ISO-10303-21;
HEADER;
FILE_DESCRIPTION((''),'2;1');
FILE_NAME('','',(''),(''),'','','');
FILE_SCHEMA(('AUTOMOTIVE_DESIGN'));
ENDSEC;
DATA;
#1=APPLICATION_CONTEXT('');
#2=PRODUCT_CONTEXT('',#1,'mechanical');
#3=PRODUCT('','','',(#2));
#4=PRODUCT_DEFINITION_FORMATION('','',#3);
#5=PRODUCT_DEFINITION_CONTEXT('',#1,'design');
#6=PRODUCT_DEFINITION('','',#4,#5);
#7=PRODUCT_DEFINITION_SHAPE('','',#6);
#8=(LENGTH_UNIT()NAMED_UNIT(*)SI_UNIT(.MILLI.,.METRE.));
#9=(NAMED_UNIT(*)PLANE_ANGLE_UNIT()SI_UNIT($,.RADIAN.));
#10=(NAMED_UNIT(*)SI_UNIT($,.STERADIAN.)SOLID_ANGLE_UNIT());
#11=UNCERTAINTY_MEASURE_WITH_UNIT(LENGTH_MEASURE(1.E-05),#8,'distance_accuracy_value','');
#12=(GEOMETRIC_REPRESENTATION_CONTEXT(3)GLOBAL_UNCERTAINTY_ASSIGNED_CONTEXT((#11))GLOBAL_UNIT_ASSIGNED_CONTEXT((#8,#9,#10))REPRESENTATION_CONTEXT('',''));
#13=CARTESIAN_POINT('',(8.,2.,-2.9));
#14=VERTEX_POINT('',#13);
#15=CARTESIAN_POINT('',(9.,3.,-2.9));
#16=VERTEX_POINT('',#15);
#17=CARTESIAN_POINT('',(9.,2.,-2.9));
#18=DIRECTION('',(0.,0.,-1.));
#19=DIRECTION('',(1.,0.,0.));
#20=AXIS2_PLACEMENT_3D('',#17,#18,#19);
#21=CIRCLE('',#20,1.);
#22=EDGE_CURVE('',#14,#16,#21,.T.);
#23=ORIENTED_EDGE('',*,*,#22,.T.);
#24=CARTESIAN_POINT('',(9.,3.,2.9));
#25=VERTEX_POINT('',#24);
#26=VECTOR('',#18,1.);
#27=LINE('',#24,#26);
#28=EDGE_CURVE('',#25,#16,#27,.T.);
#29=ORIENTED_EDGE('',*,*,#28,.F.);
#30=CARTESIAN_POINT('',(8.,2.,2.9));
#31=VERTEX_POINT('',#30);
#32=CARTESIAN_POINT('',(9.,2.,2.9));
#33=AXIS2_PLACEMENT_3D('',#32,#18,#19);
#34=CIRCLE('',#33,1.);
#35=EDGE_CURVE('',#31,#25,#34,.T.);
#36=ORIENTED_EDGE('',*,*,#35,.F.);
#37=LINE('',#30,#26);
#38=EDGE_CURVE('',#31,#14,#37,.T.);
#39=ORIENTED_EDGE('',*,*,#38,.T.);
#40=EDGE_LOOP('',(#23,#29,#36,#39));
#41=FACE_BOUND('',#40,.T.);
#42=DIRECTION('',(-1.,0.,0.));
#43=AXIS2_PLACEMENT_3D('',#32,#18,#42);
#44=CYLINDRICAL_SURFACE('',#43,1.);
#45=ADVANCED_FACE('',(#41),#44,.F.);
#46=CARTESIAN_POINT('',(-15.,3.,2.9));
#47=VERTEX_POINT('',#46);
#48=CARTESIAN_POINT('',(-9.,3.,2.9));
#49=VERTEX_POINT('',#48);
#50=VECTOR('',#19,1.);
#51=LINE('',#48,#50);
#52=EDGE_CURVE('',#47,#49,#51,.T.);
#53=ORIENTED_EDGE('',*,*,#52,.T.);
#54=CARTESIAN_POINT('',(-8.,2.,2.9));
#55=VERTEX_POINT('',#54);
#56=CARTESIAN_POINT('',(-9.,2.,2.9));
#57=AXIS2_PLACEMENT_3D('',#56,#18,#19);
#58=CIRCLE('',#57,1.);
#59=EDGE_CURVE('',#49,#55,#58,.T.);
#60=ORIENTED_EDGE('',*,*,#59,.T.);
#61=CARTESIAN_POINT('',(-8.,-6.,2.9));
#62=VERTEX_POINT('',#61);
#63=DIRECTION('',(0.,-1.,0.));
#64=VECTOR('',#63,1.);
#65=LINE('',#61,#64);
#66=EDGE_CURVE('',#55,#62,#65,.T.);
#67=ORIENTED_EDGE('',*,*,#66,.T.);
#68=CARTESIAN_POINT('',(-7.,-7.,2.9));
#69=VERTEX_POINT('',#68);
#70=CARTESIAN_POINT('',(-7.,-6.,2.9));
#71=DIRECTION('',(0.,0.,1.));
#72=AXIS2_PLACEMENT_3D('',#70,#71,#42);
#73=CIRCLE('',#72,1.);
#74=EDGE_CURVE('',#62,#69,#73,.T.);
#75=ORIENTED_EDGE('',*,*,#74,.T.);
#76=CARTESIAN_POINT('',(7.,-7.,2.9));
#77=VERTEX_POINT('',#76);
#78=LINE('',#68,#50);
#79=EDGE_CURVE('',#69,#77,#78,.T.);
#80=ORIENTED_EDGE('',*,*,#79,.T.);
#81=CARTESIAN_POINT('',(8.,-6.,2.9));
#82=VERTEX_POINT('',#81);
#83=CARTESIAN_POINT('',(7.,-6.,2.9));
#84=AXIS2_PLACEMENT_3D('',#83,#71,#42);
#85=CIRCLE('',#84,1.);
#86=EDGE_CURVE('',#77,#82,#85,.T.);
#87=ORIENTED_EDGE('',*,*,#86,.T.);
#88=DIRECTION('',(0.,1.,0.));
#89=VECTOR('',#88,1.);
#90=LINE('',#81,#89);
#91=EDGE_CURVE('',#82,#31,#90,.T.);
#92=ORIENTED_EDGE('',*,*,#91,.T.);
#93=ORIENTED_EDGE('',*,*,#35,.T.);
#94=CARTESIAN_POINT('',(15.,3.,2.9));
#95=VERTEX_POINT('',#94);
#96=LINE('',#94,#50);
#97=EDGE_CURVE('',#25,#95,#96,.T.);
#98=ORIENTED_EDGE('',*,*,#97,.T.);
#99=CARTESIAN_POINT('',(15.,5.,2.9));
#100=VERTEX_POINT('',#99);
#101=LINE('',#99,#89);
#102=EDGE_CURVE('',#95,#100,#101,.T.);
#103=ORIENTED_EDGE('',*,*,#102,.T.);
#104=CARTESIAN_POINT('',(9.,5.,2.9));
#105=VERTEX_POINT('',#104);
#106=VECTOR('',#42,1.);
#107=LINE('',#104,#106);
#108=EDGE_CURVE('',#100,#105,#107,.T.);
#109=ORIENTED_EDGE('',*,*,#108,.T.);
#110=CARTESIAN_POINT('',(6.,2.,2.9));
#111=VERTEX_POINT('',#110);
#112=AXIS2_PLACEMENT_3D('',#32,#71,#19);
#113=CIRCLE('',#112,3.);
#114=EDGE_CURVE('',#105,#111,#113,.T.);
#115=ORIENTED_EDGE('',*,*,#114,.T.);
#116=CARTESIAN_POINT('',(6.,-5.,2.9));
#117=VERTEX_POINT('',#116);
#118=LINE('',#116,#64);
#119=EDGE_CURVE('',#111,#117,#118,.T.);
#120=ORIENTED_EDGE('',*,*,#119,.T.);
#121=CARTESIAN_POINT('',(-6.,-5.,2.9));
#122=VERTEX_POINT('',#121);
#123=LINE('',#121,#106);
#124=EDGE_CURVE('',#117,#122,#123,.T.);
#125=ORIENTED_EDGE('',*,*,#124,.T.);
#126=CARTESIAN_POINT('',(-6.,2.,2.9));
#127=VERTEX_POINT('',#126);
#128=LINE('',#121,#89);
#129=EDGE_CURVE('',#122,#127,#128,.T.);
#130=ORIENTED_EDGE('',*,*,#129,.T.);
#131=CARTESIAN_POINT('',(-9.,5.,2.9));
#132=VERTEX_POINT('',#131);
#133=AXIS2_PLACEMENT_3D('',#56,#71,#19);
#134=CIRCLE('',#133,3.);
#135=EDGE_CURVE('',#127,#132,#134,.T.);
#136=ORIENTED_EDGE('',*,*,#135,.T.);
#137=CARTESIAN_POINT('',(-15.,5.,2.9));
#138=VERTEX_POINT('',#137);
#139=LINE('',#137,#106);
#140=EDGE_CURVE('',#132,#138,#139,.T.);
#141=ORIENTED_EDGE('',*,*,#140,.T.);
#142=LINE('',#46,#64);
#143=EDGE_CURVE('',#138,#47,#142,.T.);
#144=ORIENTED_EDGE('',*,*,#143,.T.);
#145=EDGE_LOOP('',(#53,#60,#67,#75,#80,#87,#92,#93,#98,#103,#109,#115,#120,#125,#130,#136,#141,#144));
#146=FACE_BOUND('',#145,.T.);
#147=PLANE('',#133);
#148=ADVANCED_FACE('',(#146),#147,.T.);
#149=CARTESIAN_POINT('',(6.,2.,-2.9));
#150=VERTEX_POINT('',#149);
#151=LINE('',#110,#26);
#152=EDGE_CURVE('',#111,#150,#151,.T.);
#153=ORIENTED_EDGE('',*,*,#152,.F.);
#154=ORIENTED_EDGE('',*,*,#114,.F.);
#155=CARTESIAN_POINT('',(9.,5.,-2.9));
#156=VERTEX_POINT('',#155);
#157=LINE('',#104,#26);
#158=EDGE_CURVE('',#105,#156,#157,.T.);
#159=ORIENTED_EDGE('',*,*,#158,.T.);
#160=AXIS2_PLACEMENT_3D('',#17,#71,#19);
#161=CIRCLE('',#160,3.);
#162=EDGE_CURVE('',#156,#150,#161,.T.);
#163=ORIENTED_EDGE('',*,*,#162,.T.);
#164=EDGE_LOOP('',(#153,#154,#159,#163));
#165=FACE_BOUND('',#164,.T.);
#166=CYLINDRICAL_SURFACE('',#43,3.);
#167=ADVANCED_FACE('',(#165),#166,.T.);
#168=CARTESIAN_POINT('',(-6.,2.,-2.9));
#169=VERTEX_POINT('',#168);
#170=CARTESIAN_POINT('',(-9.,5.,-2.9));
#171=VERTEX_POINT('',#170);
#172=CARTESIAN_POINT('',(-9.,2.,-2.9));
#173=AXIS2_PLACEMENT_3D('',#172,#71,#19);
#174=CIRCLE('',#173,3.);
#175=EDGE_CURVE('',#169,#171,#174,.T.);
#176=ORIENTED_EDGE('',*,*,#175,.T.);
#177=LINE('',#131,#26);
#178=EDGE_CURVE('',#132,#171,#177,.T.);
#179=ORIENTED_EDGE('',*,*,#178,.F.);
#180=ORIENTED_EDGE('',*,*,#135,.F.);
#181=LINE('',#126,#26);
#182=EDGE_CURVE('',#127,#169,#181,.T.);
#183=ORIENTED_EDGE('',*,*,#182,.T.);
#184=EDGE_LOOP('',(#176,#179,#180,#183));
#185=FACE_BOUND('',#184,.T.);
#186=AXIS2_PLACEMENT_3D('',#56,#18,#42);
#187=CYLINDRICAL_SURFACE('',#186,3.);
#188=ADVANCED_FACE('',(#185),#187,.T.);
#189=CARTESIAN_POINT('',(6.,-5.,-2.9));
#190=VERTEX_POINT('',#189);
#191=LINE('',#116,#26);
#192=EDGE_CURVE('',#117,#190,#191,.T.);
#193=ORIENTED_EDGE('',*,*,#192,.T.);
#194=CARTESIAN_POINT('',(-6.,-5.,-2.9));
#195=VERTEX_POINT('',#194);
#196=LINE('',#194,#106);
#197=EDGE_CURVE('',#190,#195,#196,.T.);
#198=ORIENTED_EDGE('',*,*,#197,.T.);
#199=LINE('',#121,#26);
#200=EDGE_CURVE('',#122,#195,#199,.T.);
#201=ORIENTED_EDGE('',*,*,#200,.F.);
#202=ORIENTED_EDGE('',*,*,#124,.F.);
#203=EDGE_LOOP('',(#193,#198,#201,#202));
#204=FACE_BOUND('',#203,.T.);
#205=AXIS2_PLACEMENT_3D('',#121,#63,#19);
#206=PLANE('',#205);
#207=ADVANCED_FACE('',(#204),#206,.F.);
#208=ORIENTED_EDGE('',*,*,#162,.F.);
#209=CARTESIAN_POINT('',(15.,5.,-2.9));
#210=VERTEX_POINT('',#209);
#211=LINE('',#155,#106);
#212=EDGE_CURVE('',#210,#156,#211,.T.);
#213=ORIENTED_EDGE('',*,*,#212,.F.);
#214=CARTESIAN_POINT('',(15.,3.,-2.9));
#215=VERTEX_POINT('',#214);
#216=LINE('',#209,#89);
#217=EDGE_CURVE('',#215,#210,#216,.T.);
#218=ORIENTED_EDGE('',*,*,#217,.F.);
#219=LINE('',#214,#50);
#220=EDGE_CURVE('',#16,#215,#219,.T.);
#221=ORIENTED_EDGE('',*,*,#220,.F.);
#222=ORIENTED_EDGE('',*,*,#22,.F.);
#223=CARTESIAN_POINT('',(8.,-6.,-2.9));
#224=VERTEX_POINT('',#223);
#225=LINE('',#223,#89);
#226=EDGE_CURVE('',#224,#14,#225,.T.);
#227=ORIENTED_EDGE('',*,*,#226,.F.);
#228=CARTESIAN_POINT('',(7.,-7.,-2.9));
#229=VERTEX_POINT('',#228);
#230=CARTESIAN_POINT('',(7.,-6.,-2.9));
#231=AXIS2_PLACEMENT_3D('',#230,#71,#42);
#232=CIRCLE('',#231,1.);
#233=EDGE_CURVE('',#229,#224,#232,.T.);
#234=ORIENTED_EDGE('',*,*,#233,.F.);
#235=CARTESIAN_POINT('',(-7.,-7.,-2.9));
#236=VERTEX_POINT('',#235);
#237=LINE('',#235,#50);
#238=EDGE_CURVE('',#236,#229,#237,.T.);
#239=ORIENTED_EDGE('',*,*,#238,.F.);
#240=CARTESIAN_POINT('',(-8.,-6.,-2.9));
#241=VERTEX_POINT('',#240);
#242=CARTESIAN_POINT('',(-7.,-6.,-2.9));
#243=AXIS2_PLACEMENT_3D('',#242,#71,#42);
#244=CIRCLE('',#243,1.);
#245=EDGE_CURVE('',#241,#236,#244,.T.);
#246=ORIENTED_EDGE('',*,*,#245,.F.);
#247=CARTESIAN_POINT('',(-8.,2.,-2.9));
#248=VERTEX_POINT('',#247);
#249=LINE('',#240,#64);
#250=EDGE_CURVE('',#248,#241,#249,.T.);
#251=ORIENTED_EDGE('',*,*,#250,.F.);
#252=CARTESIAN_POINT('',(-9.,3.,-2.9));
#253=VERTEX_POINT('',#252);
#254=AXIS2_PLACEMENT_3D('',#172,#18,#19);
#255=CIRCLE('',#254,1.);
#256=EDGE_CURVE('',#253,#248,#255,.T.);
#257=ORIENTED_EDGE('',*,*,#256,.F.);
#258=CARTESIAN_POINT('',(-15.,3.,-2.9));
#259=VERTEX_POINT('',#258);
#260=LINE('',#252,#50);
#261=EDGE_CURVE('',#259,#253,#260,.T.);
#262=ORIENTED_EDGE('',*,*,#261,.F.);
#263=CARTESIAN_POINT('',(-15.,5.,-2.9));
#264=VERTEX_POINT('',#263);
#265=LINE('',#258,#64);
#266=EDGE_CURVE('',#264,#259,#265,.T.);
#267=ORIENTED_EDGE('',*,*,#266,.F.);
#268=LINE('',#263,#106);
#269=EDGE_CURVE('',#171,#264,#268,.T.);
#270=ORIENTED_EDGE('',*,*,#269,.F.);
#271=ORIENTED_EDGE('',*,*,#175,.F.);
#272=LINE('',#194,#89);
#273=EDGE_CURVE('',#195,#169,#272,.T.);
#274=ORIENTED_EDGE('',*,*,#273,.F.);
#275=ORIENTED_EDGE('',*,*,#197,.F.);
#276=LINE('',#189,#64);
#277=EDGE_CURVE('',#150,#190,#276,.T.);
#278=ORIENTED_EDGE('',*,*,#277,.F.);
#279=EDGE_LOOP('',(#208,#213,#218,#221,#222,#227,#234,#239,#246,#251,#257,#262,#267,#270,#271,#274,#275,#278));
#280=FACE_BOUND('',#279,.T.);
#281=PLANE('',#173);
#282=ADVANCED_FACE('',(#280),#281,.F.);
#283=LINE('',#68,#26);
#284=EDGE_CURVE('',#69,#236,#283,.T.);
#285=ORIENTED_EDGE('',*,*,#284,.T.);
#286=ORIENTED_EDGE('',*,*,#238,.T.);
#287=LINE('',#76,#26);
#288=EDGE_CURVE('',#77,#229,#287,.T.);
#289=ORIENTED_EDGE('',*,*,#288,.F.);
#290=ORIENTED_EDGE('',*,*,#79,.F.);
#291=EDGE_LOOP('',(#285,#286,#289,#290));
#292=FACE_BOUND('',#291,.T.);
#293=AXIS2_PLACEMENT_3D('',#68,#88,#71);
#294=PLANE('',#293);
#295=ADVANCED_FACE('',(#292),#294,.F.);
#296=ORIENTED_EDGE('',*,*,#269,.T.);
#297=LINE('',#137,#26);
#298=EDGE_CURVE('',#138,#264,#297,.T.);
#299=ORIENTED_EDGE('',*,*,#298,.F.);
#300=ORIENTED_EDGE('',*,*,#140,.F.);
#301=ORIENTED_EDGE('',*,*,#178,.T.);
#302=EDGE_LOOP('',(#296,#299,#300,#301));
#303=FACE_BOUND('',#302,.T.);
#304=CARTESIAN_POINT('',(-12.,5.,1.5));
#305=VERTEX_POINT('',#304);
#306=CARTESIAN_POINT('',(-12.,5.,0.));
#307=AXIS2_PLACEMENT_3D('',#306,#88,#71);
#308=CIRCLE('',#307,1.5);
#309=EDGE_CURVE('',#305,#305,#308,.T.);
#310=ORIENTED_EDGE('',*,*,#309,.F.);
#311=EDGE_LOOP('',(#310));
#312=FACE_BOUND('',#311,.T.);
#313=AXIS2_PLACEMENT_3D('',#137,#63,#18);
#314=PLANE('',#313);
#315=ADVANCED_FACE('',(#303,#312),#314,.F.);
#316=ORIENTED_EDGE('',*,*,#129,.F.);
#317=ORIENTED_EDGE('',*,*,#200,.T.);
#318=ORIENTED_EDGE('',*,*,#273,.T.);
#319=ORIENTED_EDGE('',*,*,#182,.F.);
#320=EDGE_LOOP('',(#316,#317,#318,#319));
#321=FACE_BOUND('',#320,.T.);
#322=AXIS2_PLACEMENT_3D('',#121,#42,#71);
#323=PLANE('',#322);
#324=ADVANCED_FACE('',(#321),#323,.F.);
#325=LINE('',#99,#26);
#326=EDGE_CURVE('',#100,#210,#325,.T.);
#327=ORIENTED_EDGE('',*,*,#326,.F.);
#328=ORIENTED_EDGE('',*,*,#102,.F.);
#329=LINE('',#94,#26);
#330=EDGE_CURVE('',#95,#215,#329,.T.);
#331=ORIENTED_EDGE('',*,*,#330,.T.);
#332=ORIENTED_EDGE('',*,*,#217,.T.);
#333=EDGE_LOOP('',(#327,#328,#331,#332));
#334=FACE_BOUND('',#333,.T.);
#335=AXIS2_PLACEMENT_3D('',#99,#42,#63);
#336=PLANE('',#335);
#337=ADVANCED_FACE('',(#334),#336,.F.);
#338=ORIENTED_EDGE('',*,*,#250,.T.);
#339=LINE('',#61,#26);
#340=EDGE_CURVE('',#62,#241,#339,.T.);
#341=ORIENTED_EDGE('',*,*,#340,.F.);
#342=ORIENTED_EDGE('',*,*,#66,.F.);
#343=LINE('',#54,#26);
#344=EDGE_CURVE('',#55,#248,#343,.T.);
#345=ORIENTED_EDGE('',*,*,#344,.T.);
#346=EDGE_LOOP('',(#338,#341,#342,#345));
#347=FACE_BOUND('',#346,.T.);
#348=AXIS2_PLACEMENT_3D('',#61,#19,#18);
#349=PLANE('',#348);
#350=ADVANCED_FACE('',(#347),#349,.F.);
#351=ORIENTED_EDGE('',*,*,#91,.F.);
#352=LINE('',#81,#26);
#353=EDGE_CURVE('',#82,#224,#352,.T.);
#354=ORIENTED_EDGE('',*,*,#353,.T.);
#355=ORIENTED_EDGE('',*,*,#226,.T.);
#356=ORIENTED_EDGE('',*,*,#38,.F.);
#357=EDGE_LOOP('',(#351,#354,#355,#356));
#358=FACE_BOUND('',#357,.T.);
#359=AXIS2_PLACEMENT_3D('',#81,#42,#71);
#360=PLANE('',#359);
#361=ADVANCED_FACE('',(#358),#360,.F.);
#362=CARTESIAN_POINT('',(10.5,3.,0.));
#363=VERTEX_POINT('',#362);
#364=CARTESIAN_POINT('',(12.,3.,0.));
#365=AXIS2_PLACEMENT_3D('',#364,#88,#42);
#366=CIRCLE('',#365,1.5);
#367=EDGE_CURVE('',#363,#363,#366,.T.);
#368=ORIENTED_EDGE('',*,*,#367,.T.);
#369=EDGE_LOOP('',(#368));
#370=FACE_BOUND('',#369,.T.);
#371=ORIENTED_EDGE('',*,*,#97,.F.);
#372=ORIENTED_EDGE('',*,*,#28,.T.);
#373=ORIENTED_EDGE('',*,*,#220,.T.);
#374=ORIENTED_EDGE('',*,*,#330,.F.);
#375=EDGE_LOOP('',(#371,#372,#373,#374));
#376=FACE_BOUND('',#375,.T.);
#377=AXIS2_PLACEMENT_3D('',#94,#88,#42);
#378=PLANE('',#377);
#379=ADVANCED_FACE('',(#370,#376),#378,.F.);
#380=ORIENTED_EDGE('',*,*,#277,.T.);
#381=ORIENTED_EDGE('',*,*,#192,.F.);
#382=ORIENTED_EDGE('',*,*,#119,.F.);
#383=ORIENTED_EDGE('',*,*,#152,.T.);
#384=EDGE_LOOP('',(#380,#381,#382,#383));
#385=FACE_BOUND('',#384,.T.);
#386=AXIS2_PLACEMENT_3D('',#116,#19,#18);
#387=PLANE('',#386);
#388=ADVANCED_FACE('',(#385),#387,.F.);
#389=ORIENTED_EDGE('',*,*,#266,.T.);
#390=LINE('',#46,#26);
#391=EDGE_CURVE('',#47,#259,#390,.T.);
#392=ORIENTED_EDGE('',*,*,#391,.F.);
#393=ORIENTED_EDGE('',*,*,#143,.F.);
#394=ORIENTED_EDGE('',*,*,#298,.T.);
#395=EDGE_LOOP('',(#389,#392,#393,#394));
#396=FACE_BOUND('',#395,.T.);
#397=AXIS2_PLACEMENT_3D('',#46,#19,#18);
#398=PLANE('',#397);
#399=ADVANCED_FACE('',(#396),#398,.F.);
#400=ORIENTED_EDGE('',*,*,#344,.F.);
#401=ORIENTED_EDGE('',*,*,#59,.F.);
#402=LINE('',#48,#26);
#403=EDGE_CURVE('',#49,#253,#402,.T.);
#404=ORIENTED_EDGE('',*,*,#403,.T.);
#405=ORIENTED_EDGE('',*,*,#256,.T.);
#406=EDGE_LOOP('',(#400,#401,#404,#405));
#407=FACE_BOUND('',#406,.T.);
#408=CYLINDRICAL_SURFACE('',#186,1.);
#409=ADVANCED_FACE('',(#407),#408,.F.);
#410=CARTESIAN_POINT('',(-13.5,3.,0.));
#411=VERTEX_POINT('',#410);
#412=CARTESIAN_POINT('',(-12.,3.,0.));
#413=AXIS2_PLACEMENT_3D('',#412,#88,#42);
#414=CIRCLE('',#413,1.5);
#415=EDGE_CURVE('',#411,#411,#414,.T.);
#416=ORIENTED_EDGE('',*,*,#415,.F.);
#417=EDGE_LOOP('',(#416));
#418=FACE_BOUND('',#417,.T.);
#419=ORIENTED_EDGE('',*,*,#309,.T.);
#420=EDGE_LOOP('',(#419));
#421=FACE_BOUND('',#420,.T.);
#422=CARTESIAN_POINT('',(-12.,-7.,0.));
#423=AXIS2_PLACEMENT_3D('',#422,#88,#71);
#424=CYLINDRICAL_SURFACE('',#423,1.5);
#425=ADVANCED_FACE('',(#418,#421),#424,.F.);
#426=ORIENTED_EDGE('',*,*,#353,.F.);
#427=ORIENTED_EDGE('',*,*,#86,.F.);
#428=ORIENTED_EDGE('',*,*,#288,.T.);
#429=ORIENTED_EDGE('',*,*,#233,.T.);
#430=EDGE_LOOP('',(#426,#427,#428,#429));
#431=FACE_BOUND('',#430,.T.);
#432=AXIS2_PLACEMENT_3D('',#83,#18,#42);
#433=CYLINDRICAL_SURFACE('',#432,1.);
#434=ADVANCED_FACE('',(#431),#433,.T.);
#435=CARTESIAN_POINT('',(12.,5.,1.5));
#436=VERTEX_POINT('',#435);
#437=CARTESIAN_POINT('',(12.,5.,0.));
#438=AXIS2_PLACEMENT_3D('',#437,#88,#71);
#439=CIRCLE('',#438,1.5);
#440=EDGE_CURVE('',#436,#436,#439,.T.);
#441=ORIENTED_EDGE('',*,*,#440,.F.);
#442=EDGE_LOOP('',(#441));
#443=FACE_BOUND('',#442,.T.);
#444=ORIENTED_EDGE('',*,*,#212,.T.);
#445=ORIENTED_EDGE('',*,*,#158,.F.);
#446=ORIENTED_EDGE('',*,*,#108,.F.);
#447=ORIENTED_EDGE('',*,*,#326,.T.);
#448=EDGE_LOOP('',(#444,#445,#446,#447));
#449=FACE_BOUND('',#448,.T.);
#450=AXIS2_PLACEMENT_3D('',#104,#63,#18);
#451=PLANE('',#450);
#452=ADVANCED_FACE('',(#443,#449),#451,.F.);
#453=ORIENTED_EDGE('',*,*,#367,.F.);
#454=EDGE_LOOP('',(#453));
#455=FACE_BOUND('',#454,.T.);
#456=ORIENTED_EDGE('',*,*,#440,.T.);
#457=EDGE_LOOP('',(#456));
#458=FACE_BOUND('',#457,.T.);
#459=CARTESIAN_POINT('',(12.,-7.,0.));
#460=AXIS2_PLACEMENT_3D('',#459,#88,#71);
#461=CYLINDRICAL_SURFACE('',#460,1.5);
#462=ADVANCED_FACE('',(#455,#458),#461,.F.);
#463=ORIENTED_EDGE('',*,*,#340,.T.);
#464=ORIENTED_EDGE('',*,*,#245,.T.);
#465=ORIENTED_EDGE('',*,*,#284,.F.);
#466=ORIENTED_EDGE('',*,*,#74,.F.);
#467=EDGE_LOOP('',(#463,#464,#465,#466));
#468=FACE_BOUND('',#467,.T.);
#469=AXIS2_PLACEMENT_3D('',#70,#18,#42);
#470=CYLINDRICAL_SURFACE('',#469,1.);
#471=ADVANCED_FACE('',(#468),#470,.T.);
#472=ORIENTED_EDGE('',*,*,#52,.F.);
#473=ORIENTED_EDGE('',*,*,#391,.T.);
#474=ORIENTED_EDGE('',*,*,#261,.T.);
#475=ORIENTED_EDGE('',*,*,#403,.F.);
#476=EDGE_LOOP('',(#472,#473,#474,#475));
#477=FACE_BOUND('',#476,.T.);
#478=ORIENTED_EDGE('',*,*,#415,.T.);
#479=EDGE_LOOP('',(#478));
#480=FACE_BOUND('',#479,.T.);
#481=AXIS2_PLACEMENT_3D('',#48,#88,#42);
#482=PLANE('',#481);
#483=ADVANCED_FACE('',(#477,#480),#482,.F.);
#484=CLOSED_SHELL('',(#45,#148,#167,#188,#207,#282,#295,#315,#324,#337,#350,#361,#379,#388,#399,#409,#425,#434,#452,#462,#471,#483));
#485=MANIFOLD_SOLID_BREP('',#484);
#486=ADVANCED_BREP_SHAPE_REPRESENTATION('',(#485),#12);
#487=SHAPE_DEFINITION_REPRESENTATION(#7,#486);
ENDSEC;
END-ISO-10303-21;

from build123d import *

# Parameters (mm, degrees)
BOSS_EXTRUDE1_DEPTH = 2.9
SKETCH5_R           = 1.5
CUT_EXTRUDE1_DEPTH  = 13


with BuildPart() as part:
    # Sketch3 → Boss-Extrude1 (new body, symmetric)
    with BuildSketch(Plane.XY):
        with BuildLine():
            Line((-6, -5), (6, -5))
            Line((6, -5), (6, 2))
            ThreePointArc((6, 2), (6.878679656, 4.121320344), (9, 5))
            Line((9, 5), (15, 5))
            Line((15, 5), (15, 3))
            Line((15, 3), (9, 3))
            ThreePointArc((9, 3), (8.292893219, 2.707106781), (8, 2))
            Line((8, 2), (8, -6))
            ThreePointArc((8, -6), (7.707106781, -6.707106781), (7, -7))
            Line((7, -7), (-7, -7))
            ThreePointArc((-7, -7), (-7.707106781, -6.707106781), (-8, -6))
            Line((-8, -6), (-8, 2))
            ThreePointArc((-8, 2), (-8.292893219, 2.707106781), (-9, 3))
            Line((-9, 3), (-15, 3))
            Line((-15, 3), (-15, 5))
            Line((-15, 5), (-9, 5))
            ThreePointArc((-9, 5), (-6.878679656, 4.121320344), (-6, 2))
            Line((-6, 2), (-6, -5))
        make_face()
    extrude(amount=BOSS_EXTRUDE1_DEPTH, both=True)

    # Sketch5 → Cut-Extrude1 (cut, through all)
    with BuildSketch(Plane(origin=(0, 5, 0), x_dir=(1, 0, 0), z_dir=(0, 1, 0))):
        with Locations((12, 0)):
            Circle(SKETCH5_R)
        with Locations((-12, 0)):
            Circle(SKETCH5_R)
    extrude(amount=-CUT_EXTRUDE1_DEPTH, mode=Mode.SUBTRACT)


solid = part.part
